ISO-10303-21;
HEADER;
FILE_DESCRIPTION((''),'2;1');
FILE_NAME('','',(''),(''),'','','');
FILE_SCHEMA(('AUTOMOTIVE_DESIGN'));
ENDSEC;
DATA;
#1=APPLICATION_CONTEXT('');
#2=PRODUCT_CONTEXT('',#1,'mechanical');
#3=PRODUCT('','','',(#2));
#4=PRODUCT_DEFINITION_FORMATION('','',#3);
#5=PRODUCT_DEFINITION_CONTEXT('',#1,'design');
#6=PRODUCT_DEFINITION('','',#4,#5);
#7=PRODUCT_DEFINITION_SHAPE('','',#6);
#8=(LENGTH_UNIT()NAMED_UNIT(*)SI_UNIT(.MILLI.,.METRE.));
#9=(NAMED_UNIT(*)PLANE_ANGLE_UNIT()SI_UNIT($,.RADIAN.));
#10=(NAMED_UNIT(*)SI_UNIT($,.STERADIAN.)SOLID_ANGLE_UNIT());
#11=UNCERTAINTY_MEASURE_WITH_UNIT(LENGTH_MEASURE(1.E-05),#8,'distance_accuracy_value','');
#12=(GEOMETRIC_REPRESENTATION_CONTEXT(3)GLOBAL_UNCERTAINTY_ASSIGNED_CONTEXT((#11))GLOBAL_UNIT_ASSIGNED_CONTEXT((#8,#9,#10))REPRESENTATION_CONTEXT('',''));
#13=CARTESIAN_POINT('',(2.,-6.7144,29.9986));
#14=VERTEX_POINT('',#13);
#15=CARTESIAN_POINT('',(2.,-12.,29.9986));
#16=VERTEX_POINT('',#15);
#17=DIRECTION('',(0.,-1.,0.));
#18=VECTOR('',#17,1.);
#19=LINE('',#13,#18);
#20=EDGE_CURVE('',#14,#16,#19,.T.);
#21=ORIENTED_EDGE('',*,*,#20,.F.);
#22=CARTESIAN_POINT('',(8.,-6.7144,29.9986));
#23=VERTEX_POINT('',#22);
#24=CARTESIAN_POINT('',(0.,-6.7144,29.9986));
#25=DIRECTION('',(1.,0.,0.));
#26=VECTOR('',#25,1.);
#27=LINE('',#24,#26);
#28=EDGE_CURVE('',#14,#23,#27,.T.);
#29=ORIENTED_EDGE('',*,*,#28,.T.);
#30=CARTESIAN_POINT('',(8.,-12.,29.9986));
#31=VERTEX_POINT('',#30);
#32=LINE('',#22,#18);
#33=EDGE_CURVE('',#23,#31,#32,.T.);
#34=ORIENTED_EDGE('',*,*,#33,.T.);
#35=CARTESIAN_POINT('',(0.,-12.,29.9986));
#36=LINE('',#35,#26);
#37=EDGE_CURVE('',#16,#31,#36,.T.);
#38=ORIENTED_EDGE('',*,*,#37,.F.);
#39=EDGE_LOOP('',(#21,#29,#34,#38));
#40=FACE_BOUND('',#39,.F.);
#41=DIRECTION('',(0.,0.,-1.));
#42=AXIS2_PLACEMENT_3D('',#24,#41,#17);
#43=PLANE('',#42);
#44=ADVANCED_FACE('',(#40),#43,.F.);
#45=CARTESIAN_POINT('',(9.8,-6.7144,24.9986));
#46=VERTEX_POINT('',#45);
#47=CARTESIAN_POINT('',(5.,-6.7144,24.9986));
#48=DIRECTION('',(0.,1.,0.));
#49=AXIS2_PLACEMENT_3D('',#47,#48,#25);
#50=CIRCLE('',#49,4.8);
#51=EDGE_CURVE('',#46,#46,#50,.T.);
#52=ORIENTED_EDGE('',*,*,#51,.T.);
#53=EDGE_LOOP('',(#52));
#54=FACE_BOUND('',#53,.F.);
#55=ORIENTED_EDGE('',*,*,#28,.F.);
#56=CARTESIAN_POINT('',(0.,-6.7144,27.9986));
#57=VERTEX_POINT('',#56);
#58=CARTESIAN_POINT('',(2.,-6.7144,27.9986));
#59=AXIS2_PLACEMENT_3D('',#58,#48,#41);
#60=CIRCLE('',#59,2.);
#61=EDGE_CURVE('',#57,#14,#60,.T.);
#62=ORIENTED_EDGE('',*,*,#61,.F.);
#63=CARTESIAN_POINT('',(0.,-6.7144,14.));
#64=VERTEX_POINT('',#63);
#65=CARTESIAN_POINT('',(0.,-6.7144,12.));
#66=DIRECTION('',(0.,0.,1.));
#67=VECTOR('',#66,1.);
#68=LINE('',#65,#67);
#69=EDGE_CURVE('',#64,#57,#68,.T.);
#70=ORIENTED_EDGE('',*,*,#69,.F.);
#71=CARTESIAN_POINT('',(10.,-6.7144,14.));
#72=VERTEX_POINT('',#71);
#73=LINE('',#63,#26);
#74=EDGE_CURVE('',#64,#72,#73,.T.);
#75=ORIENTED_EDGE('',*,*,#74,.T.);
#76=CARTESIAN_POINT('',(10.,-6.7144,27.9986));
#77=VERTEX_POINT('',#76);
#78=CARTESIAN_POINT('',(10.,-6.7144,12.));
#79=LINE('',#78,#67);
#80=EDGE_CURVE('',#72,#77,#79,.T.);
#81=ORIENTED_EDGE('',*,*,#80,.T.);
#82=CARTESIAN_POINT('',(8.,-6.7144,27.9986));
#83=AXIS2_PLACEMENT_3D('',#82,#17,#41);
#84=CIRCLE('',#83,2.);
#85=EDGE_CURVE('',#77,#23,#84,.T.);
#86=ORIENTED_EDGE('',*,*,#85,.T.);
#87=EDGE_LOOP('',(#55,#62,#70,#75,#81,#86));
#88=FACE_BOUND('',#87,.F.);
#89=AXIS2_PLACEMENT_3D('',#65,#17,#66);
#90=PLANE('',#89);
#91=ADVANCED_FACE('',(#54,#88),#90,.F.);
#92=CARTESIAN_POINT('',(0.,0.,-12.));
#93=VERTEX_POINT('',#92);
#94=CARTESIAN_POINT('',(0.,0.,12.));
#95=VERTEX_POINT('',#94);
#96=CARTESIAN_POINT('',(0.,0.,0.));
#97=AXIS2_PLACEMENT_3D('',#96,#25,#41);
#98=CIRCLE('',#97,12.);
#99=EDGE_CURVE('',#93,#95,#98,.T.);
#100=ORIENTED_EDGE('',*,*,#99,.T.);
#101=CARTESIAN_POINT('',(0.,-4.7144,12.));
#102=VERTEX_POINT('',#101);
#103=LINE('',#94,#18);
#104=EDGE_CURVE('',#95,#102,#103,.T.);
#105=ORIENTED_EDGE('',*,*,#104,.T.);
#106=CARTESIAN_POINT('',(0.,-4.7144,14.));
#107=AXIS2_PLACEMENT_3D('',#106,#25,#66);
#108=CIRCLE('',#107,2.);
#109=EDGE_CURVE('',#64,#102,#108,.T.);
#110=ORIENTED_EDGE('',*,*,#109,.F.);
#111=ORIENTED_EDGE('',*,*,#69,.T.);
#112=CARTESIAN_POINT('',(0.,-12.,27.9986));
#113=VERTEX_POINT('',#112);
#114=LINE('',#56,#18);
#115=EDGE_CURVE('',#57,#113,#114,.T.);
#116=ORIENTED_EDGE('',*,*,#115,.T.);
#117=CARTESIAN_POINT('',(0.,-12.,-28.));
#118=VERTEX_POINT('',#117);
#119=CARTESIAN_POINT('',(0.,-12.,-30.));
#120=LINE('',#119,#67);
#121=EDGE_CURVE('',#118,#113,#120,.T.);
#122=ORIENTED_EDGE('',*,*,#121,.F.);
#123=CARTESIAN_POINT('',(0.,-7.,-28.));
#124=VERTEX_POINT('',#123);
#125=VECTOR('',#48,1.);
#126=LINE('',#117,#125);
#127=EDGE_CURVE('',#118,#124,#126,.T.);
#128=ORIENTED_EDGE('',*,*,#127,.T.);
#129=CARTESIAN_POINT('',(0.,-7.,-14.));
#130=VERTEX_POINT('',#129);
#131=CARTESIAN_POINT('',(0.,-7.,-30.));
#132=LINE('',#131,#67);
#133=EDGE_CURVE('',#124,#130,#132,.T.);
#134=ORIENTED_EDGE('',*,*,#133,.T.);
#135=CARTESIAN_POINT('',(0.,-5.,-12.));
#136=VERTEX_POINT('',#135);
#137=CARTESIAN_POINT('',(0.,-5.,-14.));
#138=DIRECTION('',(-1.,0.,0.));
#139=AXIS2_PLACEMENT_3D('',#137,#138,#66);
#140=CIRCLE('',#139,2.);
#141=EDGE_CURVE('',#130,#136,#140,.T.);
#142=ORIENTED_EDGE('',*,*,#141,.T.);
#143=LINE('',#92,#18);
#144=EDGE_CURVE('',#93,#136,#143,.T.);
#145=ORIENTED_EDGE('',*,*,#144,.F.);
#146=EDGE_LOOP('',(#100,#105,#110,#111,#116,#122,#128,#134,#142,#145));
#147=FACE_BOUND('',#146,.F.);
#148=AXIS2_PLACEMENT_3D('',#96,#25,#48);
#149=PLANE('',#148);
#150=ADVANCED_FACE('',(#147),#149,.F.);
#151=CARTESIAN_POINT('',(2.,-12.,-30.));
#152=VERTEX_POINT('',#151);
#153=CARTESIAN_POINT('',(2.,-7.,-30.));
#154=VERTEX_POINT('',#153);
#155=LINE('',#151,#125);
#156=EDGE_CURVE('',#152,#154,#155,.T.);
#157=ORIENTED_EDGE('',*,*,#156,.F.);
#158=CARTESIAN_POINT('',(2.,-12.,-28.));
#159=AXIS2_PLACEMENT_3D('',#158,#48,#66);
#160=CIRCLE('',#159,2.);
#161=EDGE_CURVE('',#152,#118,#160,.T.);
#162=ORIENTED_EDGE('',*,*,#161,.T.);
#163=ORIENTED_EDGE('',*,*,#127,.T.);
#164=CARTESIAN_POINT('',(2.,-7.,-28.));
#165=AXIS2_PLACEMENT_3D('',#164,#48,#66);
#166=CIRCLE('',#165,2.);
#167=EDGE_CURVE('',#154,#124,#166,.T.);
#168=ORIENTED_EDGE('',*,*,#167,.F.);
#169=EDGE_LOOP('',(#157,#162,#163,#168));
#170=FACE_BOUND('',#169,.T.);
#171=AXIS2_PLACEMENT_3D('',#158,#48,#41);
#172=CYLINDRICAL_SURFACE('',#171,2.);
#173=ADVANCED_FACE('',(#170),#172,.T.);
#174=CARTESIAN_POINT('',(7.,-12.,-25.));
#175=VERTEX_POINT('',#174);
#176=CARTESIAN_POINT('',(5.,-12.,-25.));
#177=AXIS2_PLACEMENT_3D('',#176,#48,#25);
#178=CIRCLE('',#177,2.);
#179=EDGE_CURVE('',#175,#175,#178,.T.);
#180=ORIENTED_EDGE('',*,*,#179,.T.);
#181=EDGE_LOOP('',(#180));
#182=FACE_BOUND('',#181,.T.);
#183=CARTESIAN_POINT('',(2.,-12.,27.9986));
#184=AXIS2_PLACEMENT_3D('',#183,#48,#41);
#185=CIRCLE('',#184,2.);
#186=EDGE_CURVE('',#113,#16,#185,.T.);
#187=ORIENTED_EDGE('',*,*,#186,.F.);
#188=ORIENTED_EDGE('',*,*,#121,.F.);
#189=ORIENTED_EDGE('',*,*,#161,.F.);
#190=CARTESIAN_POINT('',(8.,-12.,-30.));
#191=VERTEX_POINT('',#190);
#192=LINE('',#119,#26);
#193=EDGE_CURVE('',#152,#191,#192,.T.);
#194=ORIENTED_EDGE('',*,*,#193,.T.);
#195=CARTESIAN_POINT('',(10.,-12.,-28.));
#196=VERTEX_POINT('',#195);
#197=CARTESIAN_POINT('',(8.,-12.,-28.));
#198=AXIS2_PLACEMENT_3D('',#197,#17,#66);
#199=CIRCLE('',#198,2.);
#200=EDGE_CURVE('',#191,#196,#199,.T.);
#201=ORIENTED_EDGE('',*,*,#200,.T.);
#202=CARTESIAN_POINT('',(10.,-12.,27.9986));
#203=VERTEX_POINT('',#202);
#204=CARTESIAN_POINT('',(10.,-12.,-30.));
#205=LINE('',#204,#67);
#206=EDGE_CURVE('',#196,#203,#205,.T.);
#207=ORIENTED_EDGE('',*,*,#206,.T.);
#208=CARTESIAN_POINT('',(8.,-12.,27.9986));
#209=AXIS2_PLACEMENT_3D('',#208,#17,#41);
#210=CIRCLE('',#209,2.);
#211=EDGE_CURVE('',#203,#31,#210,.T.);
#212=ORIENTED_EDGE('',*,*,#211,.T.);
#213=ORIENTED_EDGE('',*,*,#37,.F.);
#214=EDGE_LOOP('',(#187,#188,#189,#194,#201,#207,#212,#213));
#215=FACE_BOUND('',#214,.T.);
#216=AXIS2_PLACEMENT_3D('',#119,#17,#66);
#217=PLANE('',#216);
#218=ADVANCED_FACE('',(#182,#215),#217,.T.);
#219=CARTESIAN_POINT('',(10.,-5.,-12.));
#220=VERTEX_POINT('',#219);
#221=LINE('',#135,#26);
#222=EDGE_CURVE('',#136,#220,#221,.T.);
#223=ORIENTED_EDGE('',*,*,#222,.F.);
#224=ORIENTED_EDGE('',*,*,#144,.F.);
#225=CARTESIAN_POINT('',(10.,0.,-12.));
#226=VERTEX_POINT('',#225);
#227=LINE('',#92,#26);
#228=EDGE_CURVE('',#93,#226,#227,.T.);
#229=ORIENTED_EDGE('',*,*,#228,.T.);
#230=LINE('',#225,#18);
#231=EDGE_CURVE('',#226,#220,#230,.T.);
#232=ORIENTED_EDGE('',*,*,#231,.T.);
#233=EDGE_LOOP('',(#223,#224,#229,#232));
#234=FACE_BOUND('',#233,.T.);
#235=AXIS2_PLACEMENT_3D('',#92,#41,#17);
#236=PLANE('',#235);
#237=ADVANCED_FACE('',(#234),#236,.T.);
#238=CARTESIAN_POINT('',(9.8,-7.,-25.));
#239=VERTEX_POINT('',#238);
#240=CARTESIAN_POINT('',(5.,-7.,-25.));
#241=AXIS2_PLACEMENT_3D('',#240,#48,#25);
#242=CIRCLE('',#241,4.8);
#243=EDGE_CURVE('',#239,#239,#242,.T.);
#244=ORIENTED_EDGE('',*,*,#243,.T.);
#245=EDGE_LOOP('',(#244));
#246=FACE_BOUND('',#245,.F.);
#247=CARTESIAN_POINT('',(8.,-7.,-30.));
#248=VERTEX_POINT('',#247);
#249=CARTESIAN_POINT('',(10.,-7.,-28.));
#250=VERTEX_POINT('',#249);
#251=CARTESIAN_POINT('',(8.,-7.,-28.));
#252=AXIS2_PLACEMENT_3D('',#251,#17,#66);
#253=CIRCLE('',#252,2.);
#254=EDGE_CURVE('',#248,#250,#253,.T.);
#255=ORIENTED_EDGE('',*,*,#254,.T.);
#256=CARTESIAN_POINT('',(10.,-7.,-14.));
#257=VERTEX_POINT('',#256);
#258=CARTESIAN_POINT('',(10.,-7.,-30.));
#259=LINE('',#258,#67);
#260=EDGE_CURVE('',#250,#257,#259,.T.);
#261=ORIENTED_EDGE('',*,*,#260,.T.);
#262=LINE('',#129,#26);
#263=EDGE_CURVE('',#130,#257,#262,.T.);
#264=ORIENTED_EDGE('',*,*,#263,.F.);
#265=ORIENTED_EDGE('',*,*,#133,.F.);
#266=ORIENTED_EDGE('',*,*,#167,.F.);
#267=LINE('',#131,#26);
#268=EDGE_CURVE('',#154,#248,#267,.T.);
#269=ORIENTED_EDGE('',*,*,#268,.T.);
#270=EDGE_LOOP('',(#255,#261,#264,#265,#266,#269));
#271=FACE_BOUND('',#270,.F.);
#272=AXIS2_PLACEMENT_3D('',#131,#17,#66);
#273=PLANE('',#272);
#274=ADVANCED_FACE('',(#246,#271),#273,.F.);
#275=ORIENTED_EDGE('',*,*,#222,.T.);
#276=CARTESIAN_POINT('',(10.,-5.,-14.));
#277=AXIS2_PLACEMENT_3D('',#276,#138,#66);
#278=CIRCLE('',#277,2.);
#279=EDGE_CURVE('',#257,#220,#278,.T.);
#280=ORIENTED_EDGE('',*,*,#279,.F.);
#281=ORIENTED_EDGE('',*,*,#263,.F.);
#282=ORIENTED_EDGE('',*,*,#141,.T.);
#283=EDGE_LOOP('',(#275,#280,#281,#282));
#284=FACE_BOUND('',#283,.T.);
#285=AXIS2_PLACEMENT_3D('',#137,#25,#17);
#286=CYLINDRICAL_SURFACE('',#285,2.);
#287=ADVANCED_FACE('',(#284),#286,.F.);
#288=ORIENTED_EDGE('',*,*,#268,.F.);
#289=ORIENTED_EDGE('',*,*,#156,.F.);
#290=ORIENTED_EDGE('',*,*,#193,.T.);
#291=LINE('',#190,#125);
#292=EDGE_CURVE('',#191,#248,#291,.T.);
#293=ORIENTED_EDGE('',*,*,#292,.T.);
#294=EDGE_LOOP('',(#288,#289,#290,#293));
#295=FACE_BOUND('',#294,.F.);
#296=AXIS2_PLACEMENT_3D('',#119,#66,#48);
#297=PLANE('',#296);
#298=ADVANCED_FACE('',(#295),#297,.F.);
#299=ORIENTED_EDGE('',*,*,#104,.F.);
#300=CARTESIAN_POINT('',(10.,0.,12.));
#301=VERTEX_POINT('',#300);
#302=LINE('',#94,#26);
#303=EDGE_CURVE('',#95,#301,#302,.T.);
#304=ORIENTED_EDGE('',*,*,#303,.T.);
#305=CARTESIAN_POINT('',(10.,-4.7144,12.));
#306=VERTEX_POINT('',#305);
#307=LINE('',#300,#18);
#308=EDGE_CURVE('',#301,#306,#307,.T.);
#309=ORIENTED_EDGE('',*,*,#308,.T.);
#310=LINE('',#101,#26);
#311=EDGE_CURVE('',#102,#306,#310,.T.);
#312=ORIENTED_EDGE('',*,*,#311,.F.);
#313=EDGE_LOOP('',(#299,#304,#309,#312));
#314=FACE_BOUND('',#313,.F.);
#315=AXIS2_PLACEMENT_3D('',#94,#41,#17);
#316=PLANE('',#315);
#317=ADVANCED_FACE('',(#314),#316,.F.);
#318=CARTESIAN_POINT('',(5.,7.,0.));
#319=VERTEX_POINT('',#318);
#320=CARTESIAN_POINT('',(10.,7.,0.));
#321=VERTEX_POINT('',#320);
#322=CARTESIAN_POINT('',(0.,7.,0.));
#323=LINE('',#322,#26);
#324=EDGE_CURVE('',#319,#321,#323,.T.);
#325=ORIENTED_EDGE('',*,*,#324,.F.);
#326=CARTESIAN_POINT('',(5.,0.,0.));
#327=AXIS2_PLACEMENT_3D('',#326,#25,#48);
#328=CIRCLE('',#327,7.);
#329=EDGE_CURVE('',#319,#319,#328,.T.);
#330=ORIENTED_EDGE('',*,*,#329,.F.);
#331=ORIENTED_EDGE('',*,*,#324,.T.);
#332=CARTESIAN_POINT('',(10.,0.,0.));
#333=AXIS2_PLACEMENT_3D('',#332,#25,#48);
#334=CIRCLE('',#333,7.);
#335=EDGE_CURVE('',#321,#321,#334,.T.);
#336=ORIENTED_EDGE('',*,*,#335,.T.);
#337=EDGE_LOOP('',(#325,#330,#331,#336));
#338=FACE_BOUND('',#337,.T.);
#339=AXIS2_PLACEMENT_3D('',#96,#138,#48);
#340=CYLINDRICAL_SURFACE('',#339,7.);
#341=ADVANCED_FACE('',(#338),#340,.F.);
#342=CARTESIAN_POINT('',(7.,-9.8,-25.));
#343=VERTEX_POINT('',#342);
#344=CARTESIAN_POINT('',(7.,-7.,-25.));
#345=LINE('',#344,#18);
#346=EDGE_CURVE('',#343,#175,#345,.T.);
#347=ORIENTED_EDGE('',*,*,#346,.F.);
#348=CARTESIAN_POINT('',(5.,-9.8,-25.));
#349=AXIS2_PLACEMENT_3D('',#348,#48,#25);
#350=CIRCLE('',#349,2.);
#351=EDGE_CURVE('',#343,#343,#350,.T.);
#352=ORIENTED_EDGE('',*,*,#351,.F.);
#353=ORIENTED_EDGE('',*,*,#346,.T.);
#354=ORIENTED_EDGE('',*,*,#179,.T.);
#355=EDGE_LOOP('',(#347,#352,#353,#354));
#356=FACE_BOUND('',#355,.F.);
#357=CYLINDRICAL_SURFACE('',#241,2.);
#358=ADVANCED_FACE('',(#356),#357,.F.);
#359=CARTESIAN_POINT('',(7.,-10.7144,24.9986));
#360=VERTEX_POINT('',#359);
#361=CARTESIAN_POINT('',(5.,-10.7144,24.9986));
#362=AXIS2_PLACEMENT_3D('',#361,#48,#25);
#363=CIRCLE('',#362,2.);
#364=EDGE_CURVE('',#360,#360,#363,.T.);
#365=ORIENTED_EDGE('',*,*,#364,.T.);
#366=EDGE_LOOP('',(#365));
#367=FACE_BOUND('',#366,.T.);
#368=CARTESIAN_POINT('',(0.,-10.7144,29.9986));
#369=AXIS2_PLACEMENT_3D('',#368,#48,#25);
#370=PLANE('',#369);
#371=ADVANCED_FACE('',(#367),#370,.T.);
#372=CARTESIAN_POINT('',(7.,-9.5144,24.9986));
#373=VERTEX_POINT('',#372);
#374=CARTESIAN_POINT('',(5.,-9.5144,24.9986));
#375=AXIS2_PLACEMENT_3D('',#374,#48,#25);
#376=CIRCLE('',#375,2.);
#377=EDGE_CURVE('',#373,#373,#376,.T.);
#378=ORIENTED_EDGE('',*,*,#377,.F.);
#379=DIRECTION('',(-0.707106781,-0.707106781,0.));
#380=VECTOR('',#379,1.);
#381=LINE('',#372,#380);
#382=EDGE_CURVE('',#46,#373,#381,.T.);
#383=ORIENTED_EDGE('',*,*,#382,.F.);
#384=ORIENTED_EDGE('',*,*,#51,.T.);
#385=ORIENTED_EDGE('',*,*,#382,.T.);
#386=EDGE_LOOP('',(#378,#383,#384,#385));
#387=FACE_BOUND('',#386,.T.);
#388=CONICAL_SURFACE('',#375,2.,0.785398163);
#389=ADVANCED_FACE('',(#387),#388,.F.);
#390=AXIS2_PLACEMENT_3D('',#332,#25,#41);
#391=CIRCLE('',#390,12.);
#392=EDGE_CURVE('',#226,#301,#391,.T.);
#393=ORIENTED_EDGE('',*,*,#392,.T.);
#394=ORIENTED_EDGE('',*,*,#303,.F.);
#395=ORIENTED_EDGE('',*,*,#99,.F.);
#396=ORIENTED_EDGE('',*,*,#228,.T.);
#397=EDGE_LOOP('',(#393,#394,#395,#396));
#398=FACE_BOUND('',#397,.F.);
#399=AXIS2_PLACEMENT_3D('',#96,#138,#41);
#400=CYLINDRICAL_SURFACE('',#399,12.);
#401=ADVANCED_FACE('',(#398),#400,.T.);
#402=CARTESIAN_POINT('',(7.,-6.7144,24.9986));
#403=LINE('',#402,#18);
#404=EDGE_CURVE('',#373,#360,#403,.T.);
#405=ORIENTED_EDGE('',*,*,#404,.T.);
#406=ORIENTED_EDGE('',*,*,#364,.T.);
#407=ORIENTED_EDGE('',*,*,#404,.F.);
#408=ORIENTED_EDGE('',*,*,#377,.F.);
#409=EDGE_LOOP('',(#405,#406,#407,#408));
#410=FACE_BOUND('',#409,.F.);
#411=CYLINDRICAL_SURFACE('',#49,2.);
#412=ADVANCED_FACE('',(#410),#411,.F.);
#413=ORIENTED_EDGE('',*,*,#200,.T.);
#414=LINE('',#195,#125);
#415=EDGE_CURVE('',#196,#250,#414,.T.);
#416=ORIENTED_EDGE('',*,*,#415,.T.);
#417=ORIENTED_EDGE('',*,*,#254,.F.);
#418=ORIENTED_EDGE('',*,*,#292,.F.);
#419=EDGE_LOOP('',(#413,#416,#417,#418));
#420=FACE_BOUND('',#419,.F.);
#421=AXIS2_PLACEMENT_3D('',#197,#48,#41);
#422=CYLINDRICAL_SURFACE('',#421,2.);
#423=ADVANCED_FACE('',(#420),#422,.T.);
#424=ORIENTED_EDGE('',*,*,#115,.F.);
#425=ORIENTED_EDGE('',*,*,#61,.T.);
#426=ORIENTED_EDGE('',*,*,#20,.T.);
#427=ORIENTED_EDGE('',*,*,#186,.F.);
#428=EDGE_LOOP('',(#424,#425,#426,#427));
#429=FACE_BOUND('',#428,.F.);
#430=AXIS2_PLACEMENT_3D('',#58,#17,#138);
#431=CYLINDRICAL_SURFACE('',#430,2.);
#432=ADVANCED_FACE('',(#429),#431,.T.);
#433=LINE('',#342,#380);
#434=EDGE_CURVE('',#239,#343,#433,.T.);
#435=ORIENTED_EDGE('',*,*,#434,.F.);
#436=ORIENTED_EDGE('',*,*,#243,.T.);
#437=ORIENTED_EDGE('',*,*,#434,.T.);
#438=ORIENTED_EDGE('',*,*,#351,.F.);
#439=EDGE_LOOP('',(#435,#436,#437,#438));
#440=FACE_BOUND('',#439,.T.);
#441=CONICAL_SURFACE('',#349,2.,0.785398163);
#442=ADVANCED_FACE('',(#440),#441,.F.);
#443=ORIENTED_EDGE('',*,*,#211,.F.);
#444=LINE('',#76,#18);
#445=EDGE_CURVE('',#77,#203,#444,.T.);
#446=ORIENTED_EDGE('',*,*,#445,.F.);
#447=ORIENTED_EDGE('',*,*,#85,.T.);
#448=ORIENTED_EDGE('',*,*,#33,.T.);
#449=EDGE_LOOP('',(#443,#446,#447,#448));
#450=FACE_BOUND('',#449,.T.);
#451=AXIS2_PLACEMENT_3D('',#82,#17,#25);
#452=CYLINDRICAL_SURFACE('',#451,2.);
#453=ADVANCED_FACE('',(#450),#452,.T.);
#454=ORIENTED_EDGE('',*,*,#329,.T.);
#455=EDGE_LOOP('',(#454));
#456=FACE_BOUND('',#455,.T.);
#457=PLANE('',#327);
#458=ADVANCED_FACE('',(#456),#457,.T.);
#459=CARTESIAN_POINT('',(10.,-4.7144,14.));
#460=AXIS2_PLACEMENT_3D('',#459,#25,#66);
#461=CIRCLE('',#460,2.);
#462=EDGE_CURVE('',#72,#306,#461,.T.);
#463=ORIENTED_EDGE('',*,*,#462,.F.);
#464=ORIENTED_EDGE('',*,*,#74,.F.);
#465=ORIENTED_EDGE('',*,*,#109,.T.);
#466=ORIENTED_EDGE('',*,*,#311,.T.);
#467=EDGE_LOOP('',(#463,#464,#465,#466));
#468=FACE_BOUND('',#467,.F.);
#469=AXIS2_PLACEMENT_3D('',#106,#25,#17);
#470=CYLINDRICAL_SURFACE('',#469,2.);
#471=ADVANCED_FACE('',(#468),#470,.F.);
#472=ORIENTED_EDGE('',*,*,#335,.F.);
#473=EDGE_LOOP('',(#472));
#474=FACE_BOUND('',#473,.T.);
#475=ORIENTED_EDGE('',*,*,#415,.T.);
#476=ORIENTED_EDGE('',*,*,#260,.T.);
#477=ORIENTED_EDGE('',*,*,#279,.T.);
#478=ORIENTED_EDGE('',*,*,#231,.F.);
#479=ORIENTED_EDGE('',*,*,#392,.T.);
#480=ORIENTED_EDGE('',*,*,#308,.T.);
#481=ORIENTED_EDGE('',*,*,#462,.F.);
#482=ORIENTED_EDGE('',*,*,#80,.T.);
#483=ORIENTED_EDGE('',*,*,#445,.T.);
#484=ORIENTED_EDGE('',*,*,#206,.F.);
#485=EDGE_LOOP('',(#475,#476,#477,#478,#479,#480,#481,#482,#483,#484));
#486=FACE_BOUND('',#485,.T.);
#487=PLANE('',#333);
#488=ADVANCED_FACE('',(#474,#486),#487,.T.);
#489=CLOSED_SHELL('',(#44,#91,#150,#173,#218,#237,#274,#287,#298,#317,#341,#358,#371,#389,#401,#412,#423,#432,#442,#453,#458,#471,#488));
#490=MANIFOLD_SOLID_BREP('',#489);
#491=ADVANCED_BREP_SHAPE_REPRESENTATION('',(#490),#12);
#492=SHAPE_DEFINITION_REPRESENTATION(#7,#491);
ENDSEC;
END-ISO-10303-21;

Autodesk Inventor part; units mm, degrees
ref_plane "YZ Plane" through (0, 0, 0) normal (1, 0, 0) x (0, 1, 0)
ref_plane "XZ Plane" through (0, 0, 0) normal (0, 1, 0) x (-1, 0, 0)
ref_plane "XY Plane" through (0, 0, 0) normal (0, 0, 1) x (1, 0, 0)
sketch "Sketch1" plane through (0, 0, 0) normal (1, 0, 0) x (0, 1, 0)
  circle A0 centre (0, 0) radius 7
  arc A1 (0, -12) -> (0, 12) centre (0, 0) ccw
  circle A2 centre (0, 0) radius 2.475
  line L0 (-12, -30) -> (-12, 29.9986)
  line L1 (-6.7144, 29.9986) -> (-12, 29.9986)
  line L2 (-12, -30) -> (-7, -30)
  line L3 (-7, -30) -> (-7, -12)
  line L4 (0, -12) -> (-7, -12)
  line L5 (0, 12) -> (-6.7144, 12)
  line L6 (-6.7144, 12) -> (-6.7144, 29.9986)
  point P0 (-7, 0)
  dimension "d0" = 14
  dimension "d1" = 30
  dimension "d2" = 30
  dimension "d4" = 5
  dimension "d5" = 4.95
  dimension "d22" = 5
extrude "Extrusion1" add sketch "Sketch1" along normal blind 5 contours A0 | A2
extrude "Extrusion2" add sketch "Sketch1" along normal blind 10 contours L4 L3 L2 L0 L1 L6 L5 A1
sketch "Sketch3" plane through (0, -7, -12) normal (0, 1, 0) x (1, 0, 0)
  circle A0 centre (5, 13) radius 2
  line L0 (0, 18) -> (10, 18) projected
  point P0 (0, -12)
  point P1 (5, 18)
  dimension "d26" = 4
  dimension "d27" = 0
  dimension "d28" = 5
extrude "Extrusion4" cut sketch "Sketch3" against normal blind 10
chamfer "Chamfer4" distance 2.8 angle 45 1 edges at (3, -7, -25)
fillet "Fillet2" radius 2 2 edges at (10, -9.5, -30) (0, -9.5, -30)
sketch "Sketch4" plane through (0, -6.7144, 29.9986) normal (0, 1, 0) x (1, 0, 0)
  circle A0 centre (5, 5) radius 2
  line L0 (0, 0) -> (10, 0) projected
  point P0 (0, 29.9986)
  point P1 (5, 0)
  dimension "d35" = 4
  dimension "d36" = 0
  dimension "d37" = 5
extrude "Extrusion5" cut sketch "Sketch4" against normal blind 4
chamfer "Chamfer5" distance 2.8 angle 45 1 edges at (3, -6.7144, 24.9986)
fillet "Fillet3" radius 2 4 edges at (0, -9.3572, 29.9986) (10, -9.3572, 29.9986) (5, -6.7144, 12) (5, -7, -12)
equation "\"d38\" = d35"
properties part number "bearing_holder"
